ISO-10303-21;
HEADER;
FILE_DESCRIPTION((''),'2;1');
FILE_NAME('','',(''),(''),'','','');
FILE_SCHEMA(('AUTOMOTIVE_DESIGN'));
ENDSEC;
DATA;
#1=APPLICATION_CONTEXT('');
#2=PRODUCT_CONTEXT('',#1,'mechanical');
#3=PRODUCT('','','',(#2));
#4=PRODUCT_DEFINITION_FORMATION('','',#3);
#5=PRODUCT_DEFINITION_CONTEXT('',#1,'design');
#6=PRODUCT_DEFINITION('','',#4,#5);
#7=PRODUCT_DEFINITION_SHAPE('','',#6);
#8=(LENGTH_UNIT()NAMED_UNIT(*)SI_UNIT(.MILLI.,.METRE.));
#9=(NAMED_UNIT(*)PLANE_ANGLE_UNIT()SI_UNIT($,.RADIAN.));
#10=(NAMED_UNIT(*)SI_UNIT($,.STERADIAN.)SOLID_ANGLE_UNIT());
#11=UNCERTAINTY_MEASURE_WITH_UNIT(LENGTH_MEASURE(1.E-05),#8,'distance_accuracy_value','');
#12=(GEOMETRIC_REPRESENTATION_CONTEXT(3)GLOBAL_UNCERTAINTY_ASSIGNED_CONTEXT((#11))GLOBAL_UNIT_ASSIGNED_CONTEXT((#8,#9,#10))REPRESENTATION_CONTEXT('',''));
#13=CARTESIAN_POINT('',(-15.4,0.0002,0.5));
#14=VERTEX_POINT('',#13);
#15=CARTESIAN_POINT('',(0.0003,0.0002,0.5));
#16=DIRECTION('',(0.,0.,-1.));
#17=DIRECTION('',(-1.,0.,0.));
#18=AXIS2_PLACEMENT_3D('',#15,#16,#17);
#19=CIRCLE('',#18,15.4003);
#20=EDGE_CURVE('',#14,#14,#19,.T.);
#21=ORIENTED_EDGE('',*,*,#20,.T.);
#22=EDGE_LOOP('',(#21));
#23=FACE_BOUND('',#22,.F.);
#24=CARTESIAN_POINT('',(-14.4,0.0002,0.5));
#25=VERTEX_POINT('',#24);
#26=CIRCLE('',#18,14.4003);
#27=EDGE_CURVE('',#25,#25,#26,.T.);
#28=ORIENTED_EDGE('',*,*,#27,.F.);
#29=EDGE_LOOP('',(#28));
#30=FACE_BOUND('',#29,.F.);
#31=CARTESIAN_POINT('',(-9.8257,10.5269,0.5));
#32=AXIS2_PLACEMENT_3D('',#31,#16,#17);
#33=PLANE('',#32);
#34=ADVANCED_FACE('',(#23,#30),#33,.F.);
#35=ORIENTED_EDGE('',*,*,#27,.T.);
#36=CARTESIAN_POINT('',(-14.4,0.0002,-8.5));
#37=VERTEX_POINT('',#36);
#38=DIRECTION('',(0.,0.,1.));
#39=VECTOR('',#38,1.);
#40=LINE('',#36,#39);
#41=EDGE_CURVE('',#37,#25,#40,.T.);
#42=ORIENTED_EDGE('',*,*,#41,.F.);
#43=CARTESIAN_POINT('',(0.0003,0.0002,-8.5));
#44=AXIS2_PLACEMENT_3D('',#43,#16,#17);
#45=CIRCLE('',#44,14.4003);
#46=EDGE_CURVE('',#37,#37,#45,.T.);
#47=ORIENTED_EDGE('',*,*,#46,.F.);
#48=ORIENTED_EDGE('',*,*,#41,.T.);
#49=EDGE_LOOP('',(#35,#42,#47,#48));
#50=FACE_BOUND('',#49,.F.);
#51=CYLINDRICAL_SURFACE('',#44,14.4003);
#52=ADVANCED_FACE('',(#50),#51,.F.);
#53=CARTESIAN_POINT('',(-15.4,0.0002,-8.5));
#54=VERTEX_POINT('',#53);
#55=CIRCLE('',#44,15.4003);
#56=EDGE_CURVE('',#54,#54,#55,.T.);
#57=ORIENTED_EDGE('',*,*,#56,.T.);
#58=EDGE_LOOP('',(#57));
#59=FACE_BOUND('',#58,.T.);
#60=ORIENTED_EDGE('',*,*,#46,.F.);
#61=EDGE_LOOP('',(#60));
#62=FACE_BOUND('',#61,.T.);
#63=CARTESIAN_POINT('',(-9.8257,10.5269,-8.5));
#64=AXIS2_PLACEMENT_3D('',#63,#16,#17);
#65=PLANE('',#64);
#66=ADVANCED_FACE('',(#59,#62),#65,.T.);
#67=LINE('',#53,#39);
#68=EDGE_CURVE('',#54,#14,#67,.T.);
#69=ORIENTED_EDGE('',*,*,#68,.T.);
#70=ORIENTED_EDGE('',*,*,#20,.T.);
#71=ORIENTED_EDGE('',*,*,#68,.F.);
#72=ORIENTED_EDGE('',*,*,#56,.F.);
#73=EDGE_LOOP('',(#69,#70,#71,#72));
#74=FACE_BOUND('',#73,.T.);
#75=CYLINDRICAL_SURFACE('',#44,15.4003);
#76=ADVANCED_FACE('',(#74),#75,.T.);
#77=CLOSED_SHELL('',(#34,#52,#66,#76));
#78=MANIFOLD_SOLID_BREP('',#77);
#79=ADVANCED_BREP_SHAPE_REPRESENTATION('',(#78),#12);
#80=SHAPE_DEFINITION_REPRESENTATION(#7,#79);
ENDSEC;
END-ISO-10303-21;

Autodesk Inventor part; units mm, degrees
ref_plane "YZ Plane" through (0, 0, 0) normal (1, 0, 0) x (0, 1, 0)
ref_plane "XZ Plane" through (0, 0, 0) normal (0, 1, 0) x (-1, 0, 0)
ref_plane "XY Plane" through (0, 0, 0) normal (0, 0, 1) x (1, 0, 0)
sketch "Sketch1" plane through (-9.8257, 10.5269, -8.5) normal (0, 0, -1) x (-1, 0, 0)
  circle A0 centre (-9.826, -10.5267) radius 14.4003 projected
  circle A1 centre (-9.826, -10.5267) radius 15.4003
  point P0 (-9.8257, -10.5269)
  dimension "d0" = 1
extrude "Extrusion1" add sketch "Sketch1" against normal blind 9
properties part number "vial thread insert"
